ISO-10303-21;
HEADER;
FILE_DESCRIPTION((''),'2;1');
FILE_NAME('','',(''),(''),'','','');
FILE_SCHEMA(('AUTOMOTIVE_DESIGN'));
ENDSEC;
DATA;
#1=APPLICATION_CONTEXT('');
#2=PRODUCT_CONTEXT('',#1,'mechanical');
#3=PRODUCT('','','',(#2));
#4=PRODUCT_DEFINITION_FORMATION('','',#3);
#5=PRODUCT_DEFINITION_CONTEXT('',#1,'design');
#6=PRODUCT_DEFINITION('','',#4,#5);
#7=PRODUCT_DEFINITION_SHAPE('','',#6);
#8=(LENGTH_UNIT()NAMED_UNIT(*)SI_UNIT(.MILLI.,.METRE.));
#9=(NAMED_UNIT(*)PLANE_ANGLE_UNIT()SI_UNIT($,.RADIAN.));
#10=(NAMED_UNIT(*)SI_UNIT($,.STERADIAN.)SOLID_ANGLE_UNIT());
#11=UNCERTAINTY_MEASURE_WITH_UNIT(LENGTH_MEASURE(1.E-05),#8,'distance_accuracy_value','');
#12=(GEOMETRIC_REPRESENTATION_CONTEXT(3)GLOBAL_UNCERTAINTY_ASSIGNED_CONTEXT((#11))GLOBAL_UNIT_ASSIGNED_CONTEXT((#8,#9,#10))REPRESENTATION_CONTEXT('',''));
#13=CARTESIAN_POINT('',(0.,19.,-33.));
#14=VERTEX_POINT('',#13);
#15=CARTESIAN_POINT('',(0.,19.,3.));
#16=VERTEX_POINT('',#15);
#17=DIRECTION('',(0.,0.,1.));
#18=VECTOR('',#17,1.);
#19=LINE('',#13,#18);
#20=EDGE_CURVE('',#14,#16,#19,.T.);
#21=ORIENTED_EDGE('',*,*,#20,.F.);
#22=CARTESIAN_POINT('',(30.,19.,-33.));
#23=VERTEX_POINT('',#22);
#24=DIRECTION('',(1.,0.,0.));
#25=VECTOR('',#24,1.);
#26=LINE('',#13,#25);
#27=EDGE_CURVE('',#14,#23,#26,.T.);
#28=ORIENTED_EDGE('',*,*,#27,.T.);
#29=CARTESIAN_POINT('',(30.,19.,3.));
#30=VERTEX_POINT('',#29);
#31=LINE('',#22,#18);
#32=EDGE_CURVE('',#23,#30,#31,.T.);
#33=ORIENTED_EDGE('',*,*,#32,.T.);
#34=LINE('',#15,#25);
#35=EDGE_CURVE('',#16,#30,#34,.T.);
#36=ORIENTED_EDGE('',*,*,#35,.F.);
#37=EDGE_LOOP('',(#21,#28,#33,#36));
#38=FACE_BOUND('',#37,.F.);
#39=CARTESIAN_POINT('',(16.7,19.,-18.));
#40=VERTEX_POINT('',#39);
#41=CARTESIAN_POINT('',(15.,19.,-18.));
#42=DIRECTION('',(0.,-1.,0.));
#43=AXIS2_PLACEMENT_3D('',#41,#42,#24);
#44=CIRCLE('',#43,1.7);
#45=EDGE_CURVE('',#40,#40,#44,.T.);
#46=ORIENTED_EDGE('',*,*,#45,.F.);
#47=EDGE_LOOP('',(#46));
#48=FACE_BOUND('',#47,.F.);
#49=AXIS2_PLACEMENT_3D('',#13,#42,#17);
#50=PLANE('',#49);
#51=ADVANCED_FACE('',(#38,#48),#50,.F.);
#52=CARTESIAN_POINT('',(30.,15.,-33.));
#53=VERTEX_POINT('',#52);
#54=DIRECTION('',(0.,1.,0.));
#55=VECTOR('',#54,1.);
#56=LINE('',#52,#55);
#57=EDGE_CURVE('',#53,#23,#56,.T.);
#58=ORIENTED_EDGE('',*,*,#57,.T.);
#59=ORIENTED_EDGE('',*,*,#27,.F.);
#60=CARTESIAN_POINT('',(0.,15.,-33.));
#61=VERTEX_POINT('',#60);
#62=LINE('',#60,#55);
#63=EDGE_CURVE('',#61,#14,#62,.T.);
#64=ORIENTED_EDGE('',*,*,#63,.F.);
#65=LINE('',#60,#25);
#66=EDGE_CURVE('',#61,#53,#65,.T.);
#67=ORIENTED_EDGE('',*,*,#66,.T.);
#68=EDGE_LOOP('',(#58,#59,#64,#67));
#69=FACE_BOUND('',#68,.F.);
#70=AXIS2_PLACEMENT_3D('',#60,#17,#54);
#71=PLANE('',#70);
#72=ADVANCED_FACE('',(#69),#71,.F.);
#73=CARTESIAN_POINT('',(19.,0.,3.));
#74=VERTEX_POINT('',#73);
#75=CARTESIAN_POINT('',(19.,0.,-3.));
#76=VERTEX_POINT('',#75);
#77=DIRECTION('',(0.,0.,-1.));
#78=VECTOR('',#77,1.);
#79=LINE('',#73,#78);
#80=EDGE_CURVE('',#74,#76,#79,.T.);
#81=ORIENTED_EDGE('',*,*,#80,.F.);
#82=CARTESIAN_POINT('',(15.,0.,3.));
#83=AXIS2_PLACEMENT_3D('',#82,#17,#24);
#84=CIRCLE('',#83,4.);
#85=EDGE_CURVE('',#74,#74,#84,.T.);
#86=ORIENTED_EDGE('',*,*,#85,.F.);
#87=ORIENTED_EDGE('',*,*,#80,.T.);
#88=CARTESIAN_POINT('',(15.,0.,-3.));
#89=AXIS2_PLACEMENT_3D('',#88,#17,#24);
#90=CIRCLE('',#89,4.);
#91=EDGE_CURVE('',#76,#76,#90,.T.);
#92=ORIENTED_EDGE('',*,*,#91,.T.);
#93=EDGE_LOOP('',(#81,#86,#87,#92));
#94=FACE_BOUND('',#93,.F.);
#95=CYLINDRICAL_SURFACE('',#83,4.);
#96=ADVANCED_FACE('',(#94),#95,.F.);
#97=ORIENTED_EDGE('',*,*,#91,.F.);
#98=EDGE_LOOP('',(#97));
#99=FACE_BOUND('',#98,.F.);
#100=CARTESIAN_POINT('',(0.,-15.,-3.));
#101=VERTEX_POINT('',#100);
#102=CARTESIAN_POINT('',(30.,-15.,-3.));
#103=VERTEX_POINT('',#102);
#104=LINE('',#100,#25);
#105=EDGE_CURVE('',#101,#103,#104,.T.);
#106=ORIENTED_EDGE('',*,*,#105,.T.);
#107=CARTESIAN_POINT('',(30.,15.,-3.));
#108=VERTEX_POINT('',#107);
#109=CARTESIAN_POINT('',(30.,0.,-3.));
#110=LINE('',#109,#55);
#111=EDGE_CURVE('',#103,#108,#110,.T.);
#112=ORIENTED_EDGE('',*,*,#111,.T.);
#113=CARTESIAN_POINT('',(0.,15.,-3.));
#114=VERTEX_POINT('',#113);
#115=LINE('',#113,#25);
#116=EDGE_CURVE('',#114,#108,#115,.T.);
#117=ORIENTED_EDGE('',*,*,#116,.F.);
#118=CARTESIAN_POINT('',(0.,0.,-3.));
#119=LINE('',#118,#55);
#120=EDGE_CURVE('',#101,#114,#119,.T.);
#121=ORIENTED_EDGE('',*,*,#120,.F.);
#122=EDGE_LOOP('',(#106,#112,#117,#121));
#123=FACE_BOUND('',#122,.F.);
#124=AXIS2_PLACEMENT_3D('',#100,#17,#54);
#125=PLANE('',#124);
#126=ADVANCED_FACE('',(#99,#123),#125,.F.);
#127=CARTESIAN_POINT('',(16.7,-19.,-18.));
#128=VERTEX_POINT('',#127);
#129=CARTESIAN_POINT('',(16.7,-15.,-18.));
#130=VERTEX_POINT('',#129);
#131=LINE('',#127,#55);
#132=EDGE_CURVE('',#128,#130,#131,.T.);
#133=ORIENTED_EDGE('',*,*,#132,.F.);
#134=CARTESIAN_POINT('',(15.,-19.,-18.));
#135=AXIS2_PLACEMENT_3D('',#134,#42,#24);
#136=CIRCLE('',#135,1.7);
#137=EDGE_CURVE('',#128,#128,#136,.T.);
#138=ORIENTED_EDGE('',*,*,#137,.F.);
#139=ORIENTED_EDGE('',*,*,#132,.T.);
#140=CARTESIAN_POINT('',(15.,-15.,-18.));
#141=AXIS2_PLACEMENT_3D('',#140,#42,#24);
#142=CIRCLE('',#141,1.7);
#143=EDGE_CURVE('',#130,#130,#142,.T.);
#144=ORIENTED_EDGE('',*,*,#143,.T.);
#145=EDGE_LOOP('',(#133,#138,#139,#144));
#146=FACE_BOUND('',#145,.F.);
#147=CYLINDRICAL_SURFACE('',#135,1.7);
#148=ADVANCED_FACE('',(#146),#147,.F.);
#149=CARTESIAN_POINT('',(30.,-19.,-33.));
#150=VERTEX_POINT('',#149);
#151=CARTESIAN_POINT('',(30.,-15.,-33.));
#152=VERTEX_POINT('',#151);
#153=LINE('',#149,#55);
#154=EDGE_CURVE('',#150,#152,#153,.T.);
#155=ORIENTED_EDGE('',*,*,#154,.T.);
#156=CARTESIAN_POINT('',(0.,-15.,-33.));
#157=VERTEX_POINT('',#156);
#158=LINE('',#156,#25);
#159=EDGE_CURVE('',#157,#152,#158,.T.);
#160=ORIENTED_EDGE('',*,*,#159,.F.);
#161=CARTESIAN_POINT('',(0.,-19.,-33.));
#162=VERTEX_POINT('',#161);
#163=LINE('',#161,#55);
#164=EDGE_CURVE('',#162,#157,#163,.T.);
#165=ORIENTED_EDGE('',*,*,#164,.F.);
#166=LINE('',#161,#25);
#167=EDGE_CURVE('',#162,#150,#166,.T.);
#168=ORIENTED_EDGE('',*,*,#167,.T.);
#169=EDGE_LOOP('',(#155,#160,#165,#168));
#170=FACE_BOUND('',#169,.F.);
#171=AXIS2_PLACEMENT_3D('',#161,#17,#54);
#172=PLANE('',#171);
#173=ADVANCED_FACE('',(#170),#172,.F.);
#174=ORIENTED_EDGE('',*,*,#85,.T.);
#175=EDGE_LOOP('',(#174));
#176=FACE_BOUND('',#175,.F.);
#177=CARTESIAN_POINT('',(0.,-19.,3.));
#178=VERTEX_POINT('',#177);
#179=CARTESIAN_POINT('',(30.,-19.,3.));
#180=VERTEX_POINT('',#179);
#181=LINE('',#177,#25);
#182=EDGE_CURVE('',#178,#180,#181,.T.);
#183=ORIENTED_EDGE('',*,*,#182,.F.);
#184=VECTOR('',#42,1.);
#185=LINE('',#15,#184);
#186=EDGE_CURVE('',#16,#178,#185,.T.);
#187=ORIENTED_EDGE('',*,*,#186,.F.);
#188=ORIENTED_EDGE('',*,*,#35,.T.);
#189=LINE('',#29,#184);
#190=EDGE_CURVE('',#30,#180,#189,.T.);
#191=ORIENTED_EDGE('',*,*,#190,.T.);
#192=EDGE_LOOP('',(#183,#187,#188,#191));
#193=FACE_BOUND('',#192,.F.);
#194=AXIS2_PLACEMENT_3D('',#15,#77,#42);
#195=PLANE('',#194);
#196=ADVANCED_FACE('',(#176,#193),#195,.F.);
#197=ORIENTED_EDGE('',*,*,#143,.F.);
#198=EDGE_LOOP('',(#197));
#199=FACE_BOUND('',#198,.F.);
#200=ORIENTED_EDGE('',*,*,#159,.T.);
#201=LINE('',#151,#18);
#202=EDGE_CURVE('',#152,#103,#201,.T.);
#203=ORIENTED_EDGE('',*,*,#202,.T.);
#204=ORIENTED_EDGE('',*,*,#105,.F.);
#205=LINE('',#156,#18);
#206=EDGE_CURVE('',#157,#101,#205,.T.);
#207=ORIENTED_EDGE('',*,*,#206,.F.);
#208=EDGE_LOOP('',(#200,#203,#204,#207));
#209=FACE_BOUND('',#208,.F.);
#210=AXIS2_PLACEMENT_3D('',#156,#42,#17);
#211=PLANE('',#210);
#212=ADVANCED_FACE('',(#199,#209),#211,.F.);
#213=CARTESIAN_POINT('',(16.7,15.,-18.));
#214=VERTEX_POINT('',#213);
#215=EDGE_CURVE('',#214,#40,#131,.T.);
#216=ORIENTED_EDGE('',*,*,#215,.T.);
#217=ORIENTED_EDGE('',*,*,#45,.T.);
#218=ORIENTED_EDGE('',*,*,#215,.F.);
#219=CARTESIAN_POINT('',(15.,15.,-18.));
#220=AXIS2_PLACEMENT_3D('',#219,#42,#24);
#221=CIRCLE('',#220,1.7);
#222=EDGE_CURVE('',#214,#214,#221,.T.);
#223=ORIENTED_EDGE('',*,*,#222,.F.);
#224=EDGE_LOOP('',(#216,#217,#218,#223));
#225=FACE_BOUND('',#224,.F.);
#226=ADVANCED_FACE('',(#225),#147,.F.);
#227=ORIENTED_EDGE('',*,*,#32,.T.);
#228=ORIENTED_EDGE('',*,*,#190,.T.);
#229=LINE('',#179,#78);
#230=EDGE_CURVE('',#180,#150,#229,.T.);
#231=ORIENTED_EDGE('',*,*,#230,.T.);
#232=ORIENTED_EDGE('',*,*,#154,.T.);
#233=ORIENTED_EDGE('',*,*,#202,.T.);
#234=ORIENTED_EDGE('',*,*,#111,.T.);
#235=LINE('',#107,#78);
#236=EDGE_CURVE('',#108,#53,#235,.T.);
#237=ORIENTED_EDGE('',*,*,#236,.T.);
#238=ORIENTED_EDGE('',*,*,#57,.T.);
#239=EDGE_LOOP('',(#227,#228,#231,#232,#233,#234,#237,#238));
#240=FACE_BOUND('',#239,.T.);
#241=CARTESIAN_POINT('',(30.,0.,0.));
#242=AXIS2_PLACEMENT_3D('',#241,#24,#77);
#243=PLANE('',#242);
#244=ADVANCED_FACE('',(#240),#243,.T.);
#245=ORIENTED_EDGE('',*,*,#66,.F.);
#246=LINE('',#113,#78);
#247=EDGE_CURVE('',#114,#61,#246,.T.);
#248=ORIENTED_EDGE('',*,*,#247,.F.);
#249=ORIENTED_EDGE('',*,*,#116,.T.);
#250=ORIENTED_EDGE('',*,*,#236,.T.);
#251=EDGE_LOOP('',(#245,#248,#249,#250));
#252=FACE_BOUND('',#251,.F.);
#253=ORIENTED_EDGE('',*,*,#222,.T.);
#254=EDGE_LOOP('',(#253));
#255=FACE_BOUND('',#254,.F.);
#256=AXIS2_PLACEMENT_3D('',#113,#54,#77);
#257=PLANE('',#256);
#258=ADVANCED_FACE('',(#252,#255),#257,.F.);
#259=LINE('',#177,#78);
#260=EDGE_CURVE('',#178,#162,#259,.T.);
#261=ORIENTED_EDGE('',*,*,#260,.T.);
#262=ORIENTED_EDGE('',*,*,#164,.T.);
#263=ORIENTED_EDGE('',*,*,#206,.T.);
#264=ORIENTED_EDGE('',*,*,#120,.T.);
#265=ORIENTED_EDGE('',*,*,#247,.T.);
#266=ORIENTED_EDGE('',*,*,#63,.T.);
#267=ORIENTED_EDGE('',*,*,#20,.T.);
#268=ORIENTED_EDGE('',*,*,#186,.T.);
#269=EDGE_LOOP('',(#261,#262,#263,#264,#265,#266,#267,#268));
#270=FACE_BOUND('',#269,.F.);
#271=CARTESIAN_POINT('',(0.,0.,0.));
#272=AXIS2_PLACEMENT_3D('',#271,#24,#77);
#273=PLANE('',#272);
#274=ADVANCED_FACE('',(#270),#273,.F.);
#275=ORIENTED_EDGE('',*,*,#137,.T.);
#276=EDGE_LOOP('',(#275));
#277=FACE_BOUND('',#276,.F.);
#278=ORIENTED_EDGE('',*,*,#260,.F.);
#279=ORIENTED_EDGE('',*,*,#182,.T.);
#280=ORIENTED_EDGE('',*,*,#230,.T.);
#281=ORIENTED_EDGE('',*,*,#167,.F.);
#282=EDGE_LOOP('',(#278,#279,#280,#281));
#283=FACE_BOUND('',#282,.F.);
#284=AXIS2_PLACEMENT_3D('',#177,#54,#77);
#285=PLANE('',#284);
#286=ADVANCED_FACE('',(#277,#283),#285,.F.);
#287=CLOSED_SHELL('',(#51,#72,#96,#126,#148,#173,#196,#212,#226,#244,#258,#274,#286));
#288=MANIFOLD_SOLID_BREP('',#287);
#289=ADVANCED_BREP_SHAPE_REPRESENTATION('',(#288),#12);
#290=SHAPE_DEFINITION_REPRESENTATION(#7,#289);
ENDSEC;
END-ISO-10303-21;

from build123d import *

# Parameters (mm, degrees)
SKETCH2_W           = 6
SKETCH2_H           = 30
BOSS_EXTRUDE1_DEPTH = 30
SKETCH4_R           = 4
CUT_EXTRUDE2_DEPTH  = 30
SKETCH5_R           = 1.7
CUT_EXTRUDE3_DEPTH  = 39


with BuildPart() as part:
    # Sketch2 → Boss-Extrude1 (new body)
    with BuildSketch(Plane(origin=(0, 0, 0), x_dir=(0, 0, -1), z_dir=(1, 0, 0))):
        Rectangle(SKETCH2_W, SKETCH2_H)
        Polygon((-3, 19), (-3, 15), (3, 15), (33, 15), (33, 19), align=None)
        Polygon((3, -15), (-3, -15), (-3, -19), (33, -19), (33, -15), align=None)
    extrude(amount=BOSS_EXTRUDE1_DEPTH)

    # Sketch4 → Cut-Extrude2 (cut)
    with BuildSketch(Plane.XY.offset(3)):
        with Locations((15, 0)):
            Circle(SKETCH4_R)
    extrude(amount=-CUT_EXTRUDE2_DEPTH, mode=Mode.SUBTRACT)

    # Sketch5 → Cut-Extrude3 (cut, through all)
    with BuildSketch(Plane.XZ.offset(19)):
        with Locations((15, -18)):
            Circle(SKETCH5_R)
    extrude(amount=-CUT_EXTRUDE3_DEPTH, mode=Mode.SUBTRACT)


solid = part.part
